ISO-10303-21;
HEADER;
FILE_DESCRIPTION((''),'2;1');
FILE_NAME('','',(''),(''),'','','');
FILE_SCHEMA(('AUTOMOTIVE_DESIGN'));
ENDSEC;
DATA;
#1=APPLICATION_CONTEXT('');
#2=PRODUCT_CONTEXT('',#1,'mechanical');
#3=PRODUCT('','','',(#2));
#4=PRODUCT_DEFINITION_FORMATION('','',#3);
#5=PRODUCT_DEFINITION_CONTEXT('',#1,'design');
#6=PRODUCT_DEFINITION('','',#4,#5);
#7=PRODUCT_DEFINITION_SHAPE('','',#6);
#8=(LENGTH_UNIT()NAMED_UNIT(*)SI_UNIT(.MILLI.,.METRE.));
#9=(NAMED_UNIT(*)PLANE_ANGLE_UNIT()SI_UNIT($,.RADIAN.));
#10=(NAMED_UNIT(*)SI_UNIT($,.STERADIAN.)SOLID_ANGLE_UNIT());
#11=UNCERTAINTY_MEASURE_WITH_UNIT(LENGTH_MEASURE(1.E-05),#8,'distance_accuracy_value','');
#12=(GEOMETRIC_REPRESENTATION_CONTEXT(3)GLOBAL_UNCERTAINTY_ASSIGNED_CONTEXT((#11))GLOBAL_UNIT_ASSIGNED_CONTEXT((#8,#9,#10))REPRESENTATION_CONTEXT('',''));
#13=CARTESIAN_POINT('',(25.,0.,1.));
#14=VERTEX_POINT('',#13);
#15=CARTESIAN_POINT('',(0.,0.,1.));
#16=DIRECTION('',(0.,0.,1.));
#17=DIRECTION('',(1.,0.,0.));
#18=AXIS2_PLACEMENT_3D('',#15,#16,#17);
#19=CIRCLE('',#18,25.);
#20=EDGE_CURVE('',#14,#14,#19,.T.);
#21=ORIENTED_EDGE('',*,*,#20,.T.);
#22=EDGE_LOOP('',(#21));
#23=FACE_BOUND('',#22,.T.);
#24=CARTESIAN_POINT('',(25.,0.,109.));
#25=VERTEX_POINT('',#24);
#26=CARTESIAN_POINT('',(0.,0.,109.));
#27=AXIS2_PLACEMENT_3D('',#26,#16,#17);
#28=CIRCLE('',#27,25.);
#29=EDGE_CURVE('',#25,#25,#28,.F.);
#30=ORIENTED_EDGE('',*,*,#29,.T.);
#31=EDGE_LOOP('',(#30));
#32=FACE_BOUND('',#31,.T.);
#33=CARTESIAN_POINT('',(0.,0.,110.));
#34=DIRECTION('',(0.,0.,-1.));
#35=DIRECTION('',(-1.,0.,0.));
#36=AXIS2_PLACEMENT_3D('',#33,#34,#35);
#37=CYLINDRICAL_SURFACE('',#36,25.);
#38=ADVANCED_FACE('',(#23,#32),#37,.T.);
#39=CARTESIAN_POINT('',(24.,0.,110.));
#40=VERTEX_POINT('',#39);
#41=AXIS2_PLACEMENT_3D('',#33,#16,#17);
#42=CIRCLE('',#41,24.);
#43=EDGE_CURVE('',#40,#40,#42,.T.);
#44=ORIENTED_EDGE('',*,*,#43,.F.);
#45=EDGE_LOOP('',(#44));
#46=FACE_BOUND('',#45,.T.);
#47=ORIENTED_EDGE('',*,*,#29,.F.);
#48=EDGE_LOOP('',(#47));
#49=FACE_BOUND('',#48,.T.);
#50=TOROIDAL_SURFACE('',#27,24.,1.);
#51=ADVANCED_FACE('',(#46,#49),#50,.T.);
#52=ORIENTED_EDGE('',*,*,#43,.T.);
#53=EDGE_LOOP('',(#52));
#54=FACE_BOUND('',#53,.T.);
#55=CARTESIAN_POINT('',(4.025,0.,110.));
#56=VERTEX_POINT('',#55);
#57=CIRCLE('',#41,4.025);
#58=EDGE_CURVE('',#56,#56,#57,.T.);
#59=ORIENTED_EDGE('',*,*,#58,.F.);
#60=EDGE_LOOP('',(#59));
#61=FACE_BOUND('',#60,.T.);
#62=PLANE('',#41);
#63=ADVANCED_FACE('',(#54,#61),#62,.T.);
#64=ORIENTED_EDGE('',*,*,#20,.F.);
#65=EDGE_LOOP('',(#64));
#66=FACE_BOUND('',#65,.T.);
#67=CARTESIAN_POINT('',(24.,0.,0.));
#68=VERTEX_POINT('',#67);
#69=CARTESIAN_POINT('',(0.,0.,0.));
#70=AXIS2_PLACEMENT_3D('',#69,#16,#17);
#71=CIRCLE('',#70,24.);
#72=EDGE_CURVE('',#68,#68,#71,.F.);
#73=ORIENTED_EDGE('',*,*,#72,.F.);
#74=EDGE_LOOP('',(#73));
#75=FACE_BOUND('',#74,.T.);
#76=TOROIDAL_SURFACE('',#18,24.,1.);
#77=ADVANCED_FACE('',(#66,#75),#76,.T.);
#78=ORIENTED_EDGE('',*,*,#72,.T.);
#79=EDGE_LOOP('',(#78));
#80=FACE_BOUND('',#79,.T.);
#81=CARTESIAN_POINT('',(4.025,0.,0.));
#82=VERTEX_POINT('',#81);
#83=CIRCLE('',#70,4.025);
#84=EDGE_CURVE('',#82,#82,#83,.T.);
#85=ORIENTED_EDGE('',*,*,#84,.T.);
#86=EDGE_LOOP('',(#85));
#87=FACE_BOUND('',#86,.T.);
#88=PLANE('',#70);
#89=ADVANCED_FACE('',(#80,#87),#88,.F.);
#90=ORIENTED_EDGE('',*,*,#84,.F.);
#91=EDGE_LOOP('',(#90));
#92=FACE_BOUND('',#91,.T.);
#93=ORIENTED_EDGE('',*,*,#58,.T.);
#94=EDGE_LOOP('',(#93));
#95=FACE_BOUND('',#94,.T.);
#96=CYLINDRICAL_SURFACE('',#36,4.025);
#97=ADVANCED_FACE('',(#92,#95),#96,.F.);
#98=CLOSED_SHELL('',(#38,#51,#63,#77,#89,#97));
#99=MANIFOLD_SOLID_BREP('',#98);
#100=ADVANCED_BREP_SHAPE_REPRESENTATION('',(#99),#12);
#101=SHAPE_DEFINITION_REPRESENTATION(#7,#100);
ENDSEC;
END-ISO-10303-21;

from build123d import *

# Parameters (mm, degrees)
SKIZZE1_R                       = 25
SKIZZE1_R_2                     = 4.025
AUFSATZ_LINEAR_AUSTRAGEN1_DEPTH = 110
VERRUNDUNG1_R                   = 1


with BuildPart() as part:
    # Skizze1 → Aufsatz-Linear austragen1 (new body)
    with BuildSketch(Plane.XY):
        Circle(SKIZZE1_R)
        Circle(SKIZZE1_R_2, mode=Mode.SUBTRACT)
    extrude(amount=AUFSATZ_LINEAR_AUSTRAGEN1_DEPTH)

    # Verrundung1
    verrundung1_edges = [part.edges().sort_by_distance(p)[0] for p in [
        (-25, 0, 0),
        (-25, 0, 110),
    ]]
    fillet(verrundung1_edges, radius=VERRUNDUNG1_R)


solid = part.part
